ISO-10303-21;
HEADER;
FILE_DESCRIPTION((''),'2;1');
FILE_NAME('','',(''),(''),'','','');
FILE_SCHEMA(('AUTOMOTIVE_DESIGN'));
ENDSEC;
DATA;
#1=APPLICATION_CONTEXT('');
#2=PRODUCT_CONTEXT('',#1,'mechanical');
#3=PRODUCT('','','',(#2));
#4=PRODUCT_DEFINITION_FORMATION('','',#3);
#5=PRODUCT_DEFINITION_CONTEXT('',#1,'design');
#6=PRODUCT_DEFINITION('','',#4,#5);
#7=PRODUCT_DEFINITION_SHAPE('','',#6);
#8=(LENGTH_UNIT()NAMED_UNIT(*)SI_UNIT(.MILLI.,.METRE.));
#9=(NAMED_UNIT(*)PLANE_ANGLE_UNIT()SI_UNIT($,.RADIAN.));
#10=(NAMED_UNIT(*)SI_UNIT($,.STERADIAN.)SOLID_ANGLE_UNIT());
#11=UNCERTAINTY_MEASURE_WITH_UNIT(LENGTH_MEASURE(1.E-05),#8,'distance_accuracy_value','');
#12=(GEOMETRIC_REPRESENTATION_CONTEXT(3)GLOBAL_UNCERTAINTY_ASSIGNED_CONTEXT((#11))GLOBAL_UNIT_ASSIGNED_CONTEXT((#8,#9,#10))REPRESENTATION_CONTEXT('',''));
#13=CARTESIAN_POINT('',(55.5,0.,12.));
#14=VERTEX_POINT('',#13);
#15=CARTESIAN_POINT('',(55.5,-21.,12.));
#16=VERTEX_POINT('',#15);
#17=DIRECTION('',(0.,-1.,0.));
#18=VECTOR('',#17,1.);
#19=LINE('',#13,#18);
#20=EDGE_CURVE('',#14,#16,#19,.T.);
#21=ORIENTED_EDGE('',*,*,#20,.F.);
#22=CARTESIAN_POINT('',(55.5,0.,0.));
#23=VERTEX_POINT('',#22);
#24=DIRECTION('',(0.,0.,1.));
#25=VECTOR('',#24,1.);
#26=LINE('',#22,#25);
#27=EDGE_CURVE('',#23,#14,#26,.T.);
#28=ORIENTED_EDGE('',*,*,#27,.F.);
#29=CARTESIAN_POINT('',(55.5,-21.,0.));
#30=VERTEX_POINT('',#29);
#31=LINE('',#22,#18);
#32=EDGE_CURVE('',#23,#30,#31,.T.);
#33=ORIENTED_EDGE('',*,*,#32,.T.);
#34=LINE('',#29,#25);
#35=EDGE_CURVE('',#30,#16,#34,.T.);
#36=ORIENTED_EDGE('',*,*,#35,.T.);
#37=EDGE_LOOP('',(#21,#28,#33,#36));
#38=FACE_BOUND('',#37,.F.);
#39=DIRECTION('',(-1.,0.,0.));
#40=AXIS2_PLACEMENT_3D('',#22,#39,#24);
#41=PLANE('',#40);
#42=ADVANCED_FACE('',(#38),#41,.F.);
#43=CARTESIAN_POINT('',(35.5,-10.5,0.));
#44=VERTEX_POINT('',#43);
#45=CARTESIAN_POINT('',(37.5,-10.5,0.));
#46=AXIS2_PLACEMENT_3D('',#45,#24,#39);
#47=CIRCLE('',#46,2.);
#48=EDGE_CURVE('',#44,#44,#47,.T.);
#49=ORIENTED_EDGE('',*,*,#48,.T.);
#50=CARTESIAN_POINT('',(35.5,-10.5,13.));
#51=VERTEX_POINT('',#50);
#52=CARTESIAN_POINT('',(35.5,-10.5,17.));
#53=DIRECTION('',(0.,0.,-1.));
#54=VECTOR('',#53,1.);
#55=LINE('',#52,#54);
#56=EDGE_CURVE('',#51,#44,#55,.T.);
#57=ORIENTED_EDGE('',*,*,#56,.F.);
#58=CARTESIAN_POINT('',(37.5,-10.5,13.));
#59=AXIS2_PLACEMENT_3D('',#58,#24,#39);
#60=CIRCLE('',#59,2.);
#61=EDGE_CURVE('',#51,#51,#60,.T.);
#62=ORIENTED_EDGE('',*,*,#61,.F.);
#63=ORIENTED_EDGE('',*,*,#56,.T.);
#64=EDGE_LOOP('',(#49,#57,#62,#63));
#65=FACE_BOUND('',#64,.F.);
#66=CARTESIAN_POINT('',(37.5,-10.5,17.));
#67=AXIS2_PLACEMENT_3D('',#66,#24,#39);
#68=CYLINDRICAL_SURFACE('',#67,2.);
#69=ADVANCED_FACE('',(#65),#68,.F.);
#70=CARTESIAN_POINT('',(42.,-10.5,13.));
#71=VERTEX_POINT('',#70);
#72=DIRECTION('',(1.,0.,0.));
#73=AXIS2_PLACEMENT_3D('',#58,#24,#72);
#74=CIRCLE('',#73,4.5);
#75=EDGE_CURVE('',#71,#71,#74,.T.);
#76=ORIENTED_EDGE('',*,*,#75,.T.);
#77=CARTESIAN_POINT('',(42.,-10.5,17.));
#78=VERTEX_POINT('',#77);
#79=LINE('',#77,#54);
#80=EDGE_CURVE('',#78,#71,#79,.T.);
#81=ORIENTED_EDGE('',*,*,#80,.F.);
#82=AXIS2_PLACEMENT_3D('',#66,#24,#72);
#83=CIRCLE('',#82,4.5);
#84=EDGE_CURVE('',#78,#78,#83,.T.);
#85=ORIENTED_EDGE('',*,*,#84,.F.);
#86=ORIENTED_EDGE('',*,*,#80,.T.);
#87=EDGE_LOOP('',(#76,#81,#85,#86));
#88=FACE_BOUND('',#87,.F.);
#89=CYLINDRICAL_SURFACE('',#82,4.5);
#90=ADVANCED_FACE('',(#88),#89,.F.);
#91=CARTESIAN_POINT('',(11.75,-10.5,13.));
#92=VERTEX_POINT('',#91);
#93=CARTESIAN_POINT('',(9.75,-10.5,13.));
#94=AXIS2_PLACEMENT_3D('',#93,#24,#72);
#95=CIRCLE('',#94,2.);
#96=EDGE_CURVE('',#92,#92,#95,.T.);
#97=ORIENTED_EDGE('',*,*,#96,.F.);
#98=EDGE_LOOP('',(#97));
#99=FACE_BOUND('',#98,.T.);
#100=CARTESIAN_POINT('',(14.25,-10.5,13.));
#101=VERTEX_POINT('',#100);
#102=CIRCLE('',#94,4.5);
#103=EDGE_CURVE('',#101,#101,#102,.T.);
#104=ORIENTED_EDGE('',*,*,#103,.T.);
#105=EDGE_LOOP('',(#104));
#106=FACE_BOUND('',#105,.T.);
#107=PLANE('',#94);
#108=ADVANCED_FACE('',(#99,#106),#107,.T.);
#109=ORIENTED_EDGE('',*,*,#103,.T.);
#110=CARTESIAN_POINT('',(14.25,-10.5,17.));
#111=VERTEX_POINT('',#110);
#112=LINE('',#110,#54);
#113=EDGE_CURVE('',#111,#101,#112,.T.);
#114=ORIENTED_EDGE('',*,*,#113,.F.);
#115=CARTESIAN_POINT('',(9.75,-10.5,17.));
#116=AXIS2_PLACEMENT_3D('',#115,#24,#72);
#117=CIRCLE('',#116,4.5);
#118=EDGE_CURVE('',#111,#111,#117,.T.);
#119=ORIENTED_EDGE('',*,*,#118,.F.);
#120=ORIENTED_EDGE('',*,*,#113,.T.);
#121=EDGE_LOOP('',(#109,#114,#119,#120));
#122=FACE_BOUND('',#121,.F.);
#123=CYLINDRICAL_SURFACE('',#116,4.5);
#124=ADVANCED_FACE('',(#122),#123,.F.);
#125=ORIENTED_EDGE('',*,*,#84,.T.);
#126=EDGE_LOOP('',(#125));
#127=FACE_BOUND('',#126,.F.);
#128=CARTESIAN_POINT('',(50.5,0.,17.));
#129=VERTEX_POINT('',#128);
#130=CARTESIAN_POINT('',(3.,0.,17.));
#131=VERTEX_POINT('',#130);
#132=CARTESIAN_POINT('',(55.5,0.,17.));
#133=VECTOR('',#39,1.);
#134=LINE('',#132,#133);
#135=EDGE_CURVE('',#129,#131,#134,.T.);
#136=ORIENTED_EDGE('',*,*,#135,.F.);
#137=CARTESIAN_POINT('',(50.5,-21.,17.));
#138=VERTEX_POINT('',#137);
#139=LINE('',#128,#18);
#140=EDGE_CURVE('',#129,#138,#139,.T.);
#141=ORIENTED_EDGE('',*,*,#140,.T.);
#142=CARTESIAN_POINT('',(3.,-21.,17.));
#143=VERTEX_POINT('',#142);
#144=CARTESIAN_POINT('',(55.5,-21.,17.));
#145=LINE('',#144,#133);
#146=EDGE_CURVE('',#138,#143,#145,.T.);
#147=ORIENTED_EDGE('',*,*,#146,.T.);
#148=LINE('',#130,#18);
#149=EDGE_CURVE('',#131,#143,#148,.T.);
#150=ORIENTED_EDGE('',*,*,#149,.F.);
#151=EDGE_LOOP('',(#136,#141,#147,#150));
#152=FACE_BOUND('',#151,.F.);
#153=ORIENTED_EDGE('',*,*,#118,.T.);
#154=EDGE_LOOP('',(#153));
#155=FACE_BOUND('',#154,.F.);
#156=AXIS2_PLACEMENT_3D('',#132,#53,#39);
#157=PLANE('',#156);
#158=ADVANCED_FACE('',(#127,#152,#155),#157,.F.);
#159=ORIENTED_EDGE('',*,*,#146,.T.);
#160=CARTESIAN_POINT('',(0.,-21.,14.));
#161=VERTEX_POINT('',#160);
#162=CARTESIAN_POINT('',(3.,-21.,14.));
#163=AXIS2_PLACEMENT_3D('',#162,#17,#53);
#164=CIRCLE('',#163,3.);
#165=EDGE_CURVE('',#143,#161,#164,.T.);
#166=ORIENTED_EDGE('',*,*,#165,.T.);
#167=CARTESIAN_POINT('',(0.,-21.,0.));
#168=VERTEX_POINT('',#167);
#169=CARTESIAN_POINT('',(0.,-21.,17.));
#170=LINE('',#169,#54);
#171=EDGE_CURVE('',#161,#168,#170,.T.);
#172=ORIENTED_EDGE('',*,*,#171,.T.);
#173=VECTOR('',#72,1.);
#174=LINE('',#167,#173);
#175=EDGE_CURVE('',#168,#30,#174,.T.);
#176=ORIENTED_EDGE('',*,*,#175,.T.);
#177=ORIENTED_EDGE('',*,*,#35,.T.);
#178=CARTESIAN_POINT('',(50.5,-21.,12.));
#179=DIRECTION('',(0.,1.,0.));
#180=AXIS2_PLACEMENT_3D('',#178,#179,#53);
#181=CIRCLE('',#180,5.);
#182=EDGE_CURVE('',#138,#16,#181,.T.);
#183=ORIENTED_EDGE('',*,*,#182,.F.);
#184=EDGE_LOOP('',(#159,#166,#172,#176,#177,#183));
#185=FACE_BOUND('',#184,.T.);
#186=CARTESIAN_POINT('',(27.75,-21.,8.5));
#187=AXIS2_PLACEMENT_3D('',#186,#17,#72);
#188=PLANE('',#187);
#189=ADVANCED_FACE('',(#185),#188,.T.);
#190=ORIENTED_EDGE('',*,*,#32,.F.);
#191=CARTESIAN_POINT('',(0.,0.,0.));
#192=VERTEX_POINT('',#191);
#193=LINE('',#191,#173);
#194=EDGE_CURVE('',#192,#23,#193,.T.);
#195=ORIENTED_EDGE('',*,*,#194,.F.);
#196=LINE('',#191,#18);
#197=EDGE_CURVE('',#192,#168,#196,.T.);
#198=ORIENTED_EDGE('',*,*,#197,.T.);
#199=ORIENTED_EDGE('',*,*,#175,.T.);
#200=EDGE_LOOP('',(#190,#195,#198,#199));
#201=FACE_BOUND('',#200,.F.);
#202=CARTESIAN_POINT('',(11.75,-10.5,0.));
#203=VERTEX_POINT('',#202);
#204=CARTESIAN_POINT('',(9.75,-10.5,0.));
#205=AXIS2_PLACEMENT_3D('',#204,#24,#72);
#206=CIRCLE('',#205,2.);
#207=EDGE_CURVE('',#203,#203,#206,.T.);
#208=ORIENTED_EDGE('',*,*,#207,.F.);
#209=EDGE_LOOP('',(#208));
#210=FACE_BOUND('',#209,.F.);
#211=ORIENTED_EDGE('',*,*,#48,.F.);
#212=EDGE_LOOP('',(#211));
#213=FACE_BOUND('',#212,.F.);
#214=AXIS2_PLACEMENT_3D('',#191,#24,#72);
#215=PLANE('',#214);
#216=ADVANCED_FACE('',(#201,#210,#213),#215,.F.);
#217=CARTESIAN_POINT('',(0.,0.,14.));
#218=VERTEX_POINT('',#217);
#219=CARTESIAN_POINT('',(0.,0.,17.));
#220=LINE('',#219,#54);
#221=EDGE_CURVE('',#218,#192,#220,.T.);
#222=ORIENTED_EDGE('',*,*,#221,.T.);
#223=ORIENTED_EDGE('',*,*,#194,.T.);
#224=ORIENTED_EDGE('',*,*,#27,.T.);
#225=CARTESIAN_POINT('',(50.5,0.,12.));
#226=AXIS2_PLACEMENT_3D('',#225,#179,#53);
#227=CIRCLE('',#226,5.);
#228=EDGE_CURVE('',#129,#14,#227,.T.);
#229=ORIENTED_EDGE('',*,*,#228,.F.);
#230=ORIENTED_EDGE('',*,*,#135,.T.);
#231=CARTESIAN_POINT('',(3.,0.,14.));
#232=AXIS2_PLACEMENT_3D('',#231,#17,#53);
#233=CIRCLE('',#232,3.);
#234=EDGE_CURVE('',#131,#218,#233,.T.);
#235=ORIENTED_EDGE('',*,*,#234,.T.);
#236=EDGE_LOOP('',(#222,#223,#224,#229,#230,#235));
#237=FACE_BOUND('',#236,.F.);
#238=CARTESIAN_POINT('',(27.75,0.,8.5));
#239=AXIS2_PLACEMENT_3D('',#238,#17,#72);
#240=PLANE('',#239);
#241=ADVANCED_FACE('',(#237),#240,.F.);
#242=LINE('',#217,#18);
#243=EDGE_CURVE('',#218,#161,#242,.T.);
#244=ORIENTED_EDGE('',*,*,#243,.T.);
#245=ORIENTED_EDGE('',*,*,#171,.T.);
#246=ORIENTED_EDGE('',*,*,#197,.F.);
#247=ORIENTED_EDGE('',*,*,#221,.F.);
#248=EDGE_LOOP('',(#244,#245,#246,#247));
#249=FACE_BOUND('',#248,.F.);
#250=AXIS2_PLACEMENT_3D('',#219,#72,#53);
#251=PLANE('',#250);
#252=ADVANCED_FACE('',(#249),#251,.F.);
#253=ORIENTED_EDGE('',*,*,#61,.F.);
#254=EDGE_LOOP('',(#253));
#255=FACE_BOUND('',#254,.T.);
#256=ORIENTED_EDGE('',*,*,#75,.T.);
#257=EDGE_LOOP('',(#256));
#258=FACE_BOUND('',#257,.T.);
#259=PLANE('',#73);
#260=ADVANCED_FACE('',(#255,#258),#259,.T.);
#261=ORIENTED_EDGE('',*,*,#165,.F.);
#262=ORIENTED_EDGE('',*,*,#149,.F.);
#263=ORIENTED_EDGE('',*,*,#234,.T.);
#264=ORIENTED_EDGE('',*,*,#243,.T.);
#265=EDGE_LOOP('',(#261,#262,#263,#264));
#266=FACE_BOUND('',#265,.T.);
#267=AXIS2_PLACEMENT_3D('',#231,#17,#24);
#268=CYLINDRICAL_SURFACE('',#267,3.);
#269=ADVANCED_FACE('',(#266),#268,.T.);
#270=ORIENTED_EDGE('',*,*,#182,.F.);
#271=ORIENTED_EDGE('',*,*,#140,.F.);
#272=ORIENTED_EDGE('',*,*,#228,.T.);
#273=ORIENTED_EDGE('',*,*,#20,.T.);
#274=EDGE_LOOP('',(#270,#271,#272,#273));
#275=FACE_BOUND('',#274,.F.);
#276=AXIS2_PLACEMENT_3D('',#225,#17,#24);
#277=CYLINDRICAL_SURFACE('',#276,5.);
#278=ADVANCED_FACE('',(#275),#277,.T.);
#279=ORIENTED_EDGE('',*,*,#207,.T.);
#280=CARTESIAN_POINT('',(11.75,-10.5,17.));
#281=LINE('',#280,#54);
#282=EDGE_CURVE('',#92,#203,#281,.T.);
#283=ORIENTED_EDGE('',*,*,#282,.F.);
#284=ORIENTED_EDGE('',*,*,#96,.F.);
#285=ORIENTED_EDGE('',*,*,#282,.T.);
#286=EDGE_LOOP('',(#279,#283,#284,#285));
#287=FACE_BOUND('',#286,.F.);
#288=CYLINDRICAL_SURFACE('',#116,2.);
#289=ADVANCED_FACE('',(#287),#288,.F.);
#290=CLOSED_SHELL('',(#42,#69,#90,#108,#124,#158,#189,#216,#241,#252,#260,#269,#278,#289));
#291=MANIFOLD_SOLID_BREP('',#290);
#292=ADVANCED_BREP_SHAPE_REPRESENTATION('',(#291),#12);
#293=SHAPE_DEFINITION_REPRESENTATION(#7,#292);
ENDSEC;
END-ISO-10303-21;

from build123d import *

# Parameters (mm, degrees)
F1_DEPTH = 21
F2_R     = 5
F4_DEPTH = 25
F5_R     = 3
F6_R     = 4.5
F7_DEPTH = 4


with BuildPart() as f1:
    # F0 (on Front) → F1 (new body)
    with BuildSketch(Plane.XZ):
        Polygon((55.5, 17), (6.891753, 17), (0, 17), (0, 0), (55.5, 0), align=None)
    extrude(amount=F1_DEPTH)

    # F2
    f2_edges = [f1.edges().sort_by_distance(p)[0] for p in [
        (55.5, -10.5, 17),
    ]]
    fillet(f2_edges, radius=F2_R)

    # F3 (on face) → F4 (cut)
    with BuildSketch(Plane.XY.offset(17)):
        with BuildLine():
            ThreePointArc((39.5, -10.5), (37.5, -8.5), (35.5, -10.5))
            Line((35.5, -10.5), (39.5, -10.5))
        make_face()
        with BuildLine():
            Line((39.5, -10.5), (35.5, -10.5))
            ThreePointArc((35.5, -10.5), (37.5, -12.5), (39.5, -10.5))
        make_face()
        with BuildLine():
            ThreePointArc((7.75, -10.5), (9.75, -12.5), (11.75, -10.5))
            Line((11.75, -10.5), (7.75, -10.5))
        make_face()
        with BuildLine():
            Line((7.75, -10.5), (11.75, -10.5))
            ThreePointArc((11.75, -10.5), (9.75, -8.5), (7.75, -10.5))
        make_face()
    extrude(amount=-F4_DEPTH, mode=Mode.SUBTRACT)

    # F5
    f5_edges = [f1.edges().sort_by_distance(p)[0] for p in [
        (0, -10.5, 17),
    ]]
    fillet(f5_edges, radius=F5_R)

    # F6 (on face) → F7 (cut)
    with BuildSketch(Plane.XY.offset(17)):
        with Locations((9.75, -10.5)):
            Circle(F6_R)
        with Locations((37.5, -10.5)):
            Circle(F6_R)
    extrude(amount=-F7_DEPTH, mode=Mode.SUBTRACT)


solid = f1.part
